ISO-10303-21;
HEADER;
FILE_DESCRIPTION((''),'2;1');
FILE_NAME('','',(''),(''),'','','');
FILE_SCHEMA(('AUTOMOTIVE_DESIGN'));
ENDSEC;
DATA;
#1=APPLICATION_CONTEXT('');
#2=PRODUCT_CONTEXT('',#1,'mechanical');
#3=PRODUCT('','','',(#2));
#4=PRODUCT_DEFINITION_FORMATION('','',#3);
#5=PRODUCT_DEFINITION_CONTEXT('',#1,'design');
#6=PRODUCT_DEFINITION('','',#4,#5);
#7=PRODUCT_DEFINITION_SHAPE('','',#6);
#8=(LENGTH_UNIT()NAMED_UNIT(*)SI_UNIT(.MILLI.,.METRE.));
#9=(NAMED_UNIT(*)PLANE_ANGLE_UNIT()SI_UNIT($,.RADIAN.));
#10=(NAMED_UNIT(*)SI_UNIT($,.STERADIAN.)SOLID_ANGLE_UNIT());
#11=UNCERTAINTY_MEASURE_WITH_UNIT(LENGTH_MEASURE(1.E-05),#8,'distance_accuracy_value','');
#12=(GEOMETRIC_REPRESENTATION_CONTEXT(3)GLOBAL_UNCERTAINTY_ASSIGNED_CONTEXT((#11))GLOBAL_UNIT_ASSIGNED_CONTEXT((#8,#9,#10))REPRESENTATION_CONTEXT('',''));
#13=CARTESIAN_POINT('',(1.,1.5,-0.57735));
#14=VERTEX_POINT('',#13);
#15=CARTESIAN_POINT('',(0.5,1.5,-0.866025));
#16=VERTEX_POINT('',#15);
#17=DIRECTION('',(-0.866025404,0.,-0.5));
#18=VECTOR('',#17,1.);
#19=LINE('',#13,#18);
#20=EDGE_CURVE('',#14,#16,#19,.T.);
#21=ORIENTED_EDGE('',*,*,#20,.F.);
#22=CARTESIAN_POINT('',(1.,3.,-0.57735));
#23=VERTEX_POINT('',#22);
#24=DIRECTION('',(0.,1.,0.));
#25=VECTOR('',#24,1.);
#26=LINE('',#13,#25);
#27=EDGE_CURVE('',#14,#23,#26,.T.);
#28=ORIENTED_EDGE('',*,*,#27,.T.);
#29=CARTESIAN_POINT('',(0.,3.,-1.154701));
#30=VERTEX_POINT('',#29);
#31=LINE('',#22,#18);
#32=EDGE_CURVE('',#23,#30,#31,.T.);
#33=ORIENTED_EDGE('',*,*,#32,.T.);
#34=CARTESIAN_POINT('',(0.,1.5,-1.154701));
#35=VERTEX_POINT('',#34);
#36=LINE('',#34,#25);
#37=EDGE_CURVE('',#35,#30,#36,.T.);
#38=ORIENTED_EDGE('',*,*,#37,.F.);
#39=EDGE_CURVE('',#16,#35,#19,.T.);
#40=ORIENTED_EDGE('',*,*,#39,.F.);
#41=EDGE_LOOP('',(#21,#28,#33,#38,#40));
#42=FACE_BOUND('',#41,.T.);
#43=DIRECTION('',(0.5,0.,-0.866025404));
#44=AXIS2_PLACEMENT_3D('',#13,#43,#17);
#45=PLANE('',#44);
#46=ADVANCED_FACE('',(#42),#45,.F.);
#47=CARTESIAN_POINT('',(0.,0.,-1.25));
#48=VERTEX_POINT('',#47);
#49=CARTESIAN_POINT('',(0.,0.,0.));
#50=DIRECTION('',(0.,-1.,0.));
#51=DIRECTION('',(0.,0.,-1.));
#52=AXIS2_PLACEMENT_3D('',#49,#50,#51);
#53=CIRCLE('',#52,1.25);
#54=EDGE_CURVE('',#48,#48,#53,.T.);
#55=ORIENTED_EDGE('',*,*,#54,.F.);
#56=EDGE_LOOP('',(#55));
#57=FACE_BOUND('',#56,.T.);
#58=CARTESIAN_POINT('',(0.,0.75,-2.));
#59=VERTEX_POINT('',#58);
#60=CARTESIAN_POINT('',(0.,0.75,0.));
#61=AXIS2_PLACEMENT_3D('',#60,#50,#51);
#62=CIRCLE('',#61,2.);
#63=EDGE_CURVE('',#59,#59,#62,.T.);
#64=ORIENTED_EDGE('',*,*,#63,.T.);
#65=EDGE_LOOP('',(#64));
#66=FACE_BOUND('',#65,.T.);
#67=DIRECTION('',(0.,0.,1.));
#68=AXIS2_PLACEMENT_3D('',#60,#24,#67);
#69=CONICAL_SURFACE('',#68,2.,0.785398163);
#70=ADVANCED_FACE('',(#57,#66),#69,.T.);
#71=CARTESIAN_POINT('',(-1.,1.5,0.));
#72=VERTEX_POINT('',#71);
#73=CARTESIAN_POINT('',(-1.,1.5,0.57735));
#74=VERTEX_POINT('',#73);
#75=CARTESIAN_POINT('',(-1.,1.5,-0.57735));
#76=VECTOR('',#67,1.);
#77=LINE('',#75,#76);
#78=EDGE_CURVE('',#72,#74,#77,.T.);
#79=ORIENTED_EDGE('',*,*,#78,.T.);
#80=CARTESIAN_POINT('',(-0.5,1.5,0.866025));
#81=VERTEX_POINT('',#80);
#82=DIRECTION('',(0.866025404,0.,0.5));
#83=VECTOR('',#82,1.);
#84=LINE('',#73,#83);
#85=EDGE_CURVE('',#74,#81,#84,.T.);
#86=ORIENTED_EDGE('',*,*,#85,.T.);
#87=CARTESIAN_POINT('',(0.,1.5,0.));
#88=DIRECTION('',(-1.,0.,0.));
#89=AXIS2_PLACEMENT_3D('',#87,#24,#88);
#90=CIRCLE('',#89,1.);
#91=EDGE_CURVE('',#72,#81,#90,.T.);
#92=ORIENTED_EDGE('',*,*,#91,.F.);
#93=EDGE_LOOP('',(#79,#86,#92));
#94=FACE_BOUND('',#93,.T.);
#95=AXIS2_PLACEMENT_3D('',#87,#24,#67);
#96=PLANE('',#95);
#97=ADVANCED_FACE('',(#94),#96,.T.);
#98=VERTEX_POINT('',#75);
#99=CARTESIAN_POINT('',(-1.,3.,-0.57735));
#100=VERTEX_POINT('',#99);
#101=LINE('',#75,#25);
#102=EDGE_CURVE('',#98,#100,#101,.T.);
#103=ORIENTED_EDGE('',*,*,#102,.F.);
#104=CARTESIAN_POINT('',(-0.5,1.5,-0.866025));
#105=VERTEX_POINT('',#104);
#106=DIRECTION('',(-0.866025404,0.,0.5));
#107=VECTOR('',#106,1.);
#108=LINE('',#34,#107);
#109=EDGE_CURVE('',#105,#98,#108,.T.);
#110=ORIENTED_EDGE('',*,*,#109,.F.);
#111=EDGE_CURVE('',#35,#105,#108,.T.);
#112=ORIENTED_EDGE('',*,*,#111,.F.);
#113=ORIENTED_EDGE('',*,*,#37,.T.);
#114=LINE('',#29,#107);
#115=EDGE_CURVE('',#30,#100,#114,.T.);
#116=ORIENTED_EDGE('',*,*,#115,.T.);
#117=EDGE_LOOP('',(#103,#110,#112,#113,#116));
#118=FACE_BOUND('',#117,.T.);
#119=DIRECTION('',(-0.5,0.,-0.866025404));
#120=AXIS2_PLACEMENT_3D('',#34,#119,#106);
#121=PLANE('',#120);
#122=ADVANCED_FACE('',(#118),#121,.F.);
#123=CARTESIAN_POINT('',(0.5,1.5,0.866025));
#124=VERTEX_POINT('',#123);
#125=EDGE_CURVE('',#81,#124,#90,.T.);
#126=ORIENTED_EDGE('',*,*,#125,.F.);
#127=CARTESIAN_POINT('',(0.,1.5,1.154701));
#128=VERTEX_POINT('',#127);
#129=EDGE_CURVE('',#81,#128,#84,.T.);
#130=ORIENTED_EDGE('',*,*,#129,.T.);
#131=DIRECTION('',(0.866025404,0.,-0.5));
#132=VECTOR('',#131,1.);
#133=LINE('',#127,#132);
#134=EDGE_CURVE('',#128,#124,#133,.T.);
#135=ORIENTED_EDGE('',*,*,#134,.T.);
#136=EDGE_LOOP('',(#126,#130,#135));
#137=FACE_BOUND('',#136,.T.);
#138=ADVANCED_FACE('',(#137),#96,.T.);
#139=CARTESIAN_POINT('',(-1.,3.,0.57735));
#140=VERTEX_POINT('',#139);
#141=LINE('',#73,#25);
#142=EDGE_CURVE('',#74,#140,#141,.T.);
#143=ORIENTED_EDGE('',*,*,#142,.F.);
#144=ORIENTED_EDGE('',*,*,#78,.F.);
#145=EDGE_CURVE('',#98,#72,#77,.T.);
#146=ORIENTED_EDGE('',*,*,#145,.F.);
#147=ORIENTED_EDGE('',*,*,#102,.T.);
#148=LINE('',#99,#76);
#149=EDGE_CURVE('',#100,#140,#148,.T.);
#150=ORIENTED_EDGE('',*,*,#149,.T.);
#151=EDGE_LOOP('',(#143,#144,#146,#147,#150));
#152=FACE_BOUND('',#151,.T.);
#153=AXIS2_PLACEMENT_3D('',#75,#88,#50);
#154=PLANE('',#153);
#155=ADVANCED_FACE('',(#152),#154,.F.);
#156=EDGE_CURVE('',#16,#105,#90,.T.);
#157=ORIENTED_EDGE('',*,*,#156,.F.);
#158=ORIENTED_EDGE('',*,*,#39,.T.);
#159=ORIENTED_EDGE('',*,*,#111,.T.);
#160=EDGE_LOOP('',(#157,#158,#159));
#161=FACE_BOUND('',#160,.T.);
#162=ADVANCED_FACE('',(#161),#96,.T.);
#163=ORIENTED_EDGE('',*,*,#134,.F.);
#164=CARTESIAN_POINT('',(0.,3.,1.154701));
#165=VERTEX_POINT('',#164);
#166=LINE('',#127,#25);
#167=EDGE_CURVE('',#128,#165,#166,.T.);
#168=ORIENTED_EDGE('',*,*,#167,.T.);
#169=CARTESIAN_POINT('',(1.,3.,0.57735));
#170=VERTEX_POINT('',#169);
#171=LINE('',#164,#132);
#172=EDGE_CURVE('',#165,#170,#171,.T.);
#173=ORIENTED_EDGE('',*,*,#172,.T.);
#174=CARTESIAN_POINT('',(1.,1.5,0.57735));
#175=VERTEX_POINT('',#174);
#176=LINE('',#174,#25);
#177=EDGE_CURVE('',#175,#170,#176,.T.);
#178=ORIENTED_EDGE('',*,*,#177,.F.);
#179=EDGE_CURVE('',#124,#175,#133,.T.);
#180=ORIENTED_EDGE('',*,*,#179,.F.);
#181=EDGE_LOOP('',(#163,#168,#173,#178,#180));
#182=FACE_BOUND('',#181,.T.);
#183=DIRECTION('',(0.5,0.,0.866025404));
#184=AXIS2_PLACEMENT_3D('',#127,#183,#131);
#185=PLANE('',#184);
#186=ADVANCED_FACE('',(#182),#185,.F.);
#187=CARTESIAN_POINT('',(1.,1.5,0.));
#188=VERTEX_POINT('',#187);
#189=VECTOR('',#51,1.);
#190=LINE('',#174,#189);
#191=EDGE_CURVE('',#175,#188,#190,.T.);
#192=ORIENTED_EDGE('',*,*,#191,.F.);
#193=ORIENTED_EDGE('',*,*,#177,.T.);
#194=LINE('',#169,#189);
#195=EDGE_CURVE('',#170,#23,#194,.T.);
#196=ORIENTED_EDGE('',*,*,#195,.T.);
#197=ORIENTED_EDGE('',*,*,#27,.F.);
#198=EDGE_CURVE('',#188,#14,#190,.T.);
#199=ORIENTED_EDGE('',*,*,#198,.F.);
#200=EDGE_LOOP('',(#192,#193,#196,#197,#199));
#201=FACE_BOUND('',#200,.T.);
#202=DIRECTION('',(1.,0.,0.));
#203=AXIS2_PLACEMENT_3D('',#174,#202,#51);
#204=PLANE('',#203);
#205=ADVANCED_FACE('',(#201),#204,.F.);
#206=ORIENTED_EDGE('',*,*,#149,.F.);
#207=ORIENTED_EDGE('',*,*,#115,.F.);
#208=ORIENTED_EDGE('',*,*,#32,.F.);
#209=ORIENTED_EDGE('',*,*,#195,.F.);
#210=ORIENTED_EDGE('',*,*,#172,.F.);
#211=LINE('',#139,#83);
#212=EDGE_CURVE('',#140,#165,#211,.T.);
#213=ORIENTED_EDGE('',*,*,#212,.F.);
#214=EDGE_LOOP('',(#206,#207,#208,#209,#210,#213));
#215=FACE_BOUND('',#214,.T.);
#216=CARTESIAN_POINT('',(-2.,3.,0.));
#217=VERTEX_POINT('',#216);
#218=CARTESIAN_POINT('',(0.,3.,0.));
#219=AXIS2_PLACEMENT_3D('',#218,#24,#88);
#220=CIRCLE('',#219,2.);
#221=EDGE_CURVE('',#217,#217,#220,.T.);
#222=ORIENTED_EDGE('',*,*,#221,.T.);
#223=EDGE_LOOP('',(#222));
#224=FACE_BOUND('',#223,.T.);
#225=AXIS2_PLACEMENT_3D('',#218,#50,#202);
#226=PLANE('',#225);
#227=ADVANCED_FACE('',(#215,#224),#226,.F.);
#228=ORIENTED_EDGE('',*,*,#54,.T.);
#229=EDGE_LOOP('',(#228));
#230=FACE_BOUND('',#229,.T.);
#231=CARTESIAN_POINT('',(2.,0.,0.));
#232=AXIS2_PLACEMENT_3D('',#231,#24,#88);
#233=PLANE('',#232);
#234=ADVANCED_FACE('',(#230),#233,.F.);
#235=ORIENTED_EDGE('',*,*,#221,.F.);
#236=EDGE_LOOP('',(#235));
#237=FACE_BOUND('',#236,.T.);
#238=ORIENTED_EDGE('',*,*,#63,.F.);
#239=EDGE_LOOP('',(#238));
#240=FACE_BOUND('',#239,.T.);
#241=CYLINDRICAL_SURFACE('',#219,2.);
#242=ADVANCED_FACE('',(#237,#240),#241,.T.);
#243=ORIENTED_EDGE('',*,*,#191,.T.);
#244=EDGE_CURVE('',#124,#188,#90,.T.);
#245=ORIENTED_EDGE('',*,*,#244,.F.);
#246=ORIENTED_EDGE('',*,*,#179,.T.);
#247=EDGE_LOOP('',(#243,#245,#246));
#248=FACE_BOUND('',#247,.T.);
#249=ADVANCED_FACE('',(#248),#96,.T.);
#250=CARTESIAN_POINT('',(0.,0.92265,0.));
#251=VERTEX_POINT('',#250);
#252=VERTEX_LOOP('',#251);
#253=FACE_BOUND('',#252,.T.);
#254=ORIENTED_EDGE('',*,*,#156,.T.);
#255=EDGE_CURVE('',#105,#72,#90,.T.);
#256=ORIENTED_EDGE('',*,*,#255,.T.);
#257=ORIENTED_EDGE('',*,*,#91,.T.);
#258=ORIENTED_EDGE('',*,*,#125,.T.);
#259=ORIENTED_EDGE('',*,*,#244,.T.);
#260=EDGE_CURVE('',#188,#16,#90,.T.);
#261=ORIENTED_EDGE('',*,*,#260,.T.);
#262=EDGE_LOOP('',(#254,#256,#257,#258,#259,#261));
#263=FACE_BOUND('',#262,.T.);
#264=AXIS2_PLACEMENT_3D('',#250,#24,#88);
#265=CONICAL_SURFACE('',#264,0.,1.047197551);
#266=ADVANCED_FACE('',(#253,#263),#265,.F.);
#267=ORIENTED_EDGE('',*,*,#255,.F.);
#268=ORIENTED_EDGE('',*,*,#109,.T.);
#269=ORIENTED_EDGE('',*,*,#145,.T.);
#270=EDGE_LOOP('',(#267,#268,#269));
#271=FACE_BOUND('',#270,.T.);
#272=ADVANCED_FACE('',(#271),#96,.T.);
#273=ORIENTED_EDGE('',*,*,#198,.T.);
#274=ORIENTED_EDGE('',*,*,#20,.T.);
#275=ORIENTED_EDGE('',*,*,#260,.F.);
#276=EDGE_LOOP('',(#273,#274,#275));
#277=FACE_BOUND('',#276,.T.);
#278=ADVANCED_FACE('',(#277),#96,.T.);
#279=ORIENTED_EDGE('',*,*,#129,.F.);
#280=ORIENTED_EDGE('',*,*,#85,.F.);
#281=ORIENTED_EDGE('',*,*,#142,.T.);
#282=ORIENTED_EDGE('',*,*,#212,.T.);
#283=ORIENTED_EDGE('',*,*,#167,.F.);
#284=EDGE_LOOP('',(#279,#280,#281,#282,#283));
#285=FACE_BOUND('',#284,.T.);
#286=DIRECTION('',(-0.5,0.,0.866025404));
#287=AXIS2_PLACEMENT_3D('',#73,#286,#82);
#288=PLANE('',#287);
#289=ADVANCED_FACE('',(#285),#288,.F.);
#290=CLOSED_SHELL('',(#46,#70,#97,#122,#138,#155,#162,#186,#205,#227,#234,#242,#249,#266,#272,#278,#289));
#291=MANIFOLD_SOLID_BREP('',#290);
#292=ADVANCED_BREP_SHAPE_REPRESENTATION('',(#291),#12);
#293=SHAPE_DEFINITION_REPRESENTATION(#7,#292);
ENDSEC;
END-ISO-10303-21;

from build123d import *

# Parameters (mm, degrees)
SKETCH1_W          = 2
SKETCH1_H          = 3
CUT_EXTRUDE1_DEPTH = 1.5


with BuildPart() as part:
    # Sketch1 → Revolve1 (revolve)
    with BuildSketch(Plane.XY):
        with Locations((1, 1.5)):
            Rectangle(SKETCH1_W, SKETCH1_H)
    revolve(axis=Axis((0, 3, 0), (0, -1, 0)))

    # Sketch2 → Cut-Revolve1 (revolve, cut)
    with BuildSketch(Plane.XY):
        Polygon((0, 3), (1, 3), (1, 1.5), (0, 0.922649731), align=None)
    revolve(axis=Axis((0, 3, 0), (0, -1, 0)), mode=Mode.SUBTRACT)

    # Sketch3 → Cut-Extrude1 (cut)
    with BuildSketch(Plane(origin=(0, 3, 0), x_dir=(1, 0, 0), z_dir=(0, 1, 0))):
        Polygon((0, 1.154700538), (-1, 0.577350269), (-1, -0.577350269), (0, -1.154700538), (1, -0.577350269), (1, 0.577350269), align=None)
    extrude(amount=-CUT_EXTRUDE1_DEPTH, mode=Mode.SUBTRACT)

    # Sketch4 → Cut-Revolve2 (revolve, cut)
    with BuildSketch(Plane.XY):
        Polygon((1.25, 0), (2, 0), (2, 0.75), align=None)
    revolve(axis=Axis((0, 0, 0), (0, 1, 0)), mode=Mode.SUBTRACT)


solid = part.part
